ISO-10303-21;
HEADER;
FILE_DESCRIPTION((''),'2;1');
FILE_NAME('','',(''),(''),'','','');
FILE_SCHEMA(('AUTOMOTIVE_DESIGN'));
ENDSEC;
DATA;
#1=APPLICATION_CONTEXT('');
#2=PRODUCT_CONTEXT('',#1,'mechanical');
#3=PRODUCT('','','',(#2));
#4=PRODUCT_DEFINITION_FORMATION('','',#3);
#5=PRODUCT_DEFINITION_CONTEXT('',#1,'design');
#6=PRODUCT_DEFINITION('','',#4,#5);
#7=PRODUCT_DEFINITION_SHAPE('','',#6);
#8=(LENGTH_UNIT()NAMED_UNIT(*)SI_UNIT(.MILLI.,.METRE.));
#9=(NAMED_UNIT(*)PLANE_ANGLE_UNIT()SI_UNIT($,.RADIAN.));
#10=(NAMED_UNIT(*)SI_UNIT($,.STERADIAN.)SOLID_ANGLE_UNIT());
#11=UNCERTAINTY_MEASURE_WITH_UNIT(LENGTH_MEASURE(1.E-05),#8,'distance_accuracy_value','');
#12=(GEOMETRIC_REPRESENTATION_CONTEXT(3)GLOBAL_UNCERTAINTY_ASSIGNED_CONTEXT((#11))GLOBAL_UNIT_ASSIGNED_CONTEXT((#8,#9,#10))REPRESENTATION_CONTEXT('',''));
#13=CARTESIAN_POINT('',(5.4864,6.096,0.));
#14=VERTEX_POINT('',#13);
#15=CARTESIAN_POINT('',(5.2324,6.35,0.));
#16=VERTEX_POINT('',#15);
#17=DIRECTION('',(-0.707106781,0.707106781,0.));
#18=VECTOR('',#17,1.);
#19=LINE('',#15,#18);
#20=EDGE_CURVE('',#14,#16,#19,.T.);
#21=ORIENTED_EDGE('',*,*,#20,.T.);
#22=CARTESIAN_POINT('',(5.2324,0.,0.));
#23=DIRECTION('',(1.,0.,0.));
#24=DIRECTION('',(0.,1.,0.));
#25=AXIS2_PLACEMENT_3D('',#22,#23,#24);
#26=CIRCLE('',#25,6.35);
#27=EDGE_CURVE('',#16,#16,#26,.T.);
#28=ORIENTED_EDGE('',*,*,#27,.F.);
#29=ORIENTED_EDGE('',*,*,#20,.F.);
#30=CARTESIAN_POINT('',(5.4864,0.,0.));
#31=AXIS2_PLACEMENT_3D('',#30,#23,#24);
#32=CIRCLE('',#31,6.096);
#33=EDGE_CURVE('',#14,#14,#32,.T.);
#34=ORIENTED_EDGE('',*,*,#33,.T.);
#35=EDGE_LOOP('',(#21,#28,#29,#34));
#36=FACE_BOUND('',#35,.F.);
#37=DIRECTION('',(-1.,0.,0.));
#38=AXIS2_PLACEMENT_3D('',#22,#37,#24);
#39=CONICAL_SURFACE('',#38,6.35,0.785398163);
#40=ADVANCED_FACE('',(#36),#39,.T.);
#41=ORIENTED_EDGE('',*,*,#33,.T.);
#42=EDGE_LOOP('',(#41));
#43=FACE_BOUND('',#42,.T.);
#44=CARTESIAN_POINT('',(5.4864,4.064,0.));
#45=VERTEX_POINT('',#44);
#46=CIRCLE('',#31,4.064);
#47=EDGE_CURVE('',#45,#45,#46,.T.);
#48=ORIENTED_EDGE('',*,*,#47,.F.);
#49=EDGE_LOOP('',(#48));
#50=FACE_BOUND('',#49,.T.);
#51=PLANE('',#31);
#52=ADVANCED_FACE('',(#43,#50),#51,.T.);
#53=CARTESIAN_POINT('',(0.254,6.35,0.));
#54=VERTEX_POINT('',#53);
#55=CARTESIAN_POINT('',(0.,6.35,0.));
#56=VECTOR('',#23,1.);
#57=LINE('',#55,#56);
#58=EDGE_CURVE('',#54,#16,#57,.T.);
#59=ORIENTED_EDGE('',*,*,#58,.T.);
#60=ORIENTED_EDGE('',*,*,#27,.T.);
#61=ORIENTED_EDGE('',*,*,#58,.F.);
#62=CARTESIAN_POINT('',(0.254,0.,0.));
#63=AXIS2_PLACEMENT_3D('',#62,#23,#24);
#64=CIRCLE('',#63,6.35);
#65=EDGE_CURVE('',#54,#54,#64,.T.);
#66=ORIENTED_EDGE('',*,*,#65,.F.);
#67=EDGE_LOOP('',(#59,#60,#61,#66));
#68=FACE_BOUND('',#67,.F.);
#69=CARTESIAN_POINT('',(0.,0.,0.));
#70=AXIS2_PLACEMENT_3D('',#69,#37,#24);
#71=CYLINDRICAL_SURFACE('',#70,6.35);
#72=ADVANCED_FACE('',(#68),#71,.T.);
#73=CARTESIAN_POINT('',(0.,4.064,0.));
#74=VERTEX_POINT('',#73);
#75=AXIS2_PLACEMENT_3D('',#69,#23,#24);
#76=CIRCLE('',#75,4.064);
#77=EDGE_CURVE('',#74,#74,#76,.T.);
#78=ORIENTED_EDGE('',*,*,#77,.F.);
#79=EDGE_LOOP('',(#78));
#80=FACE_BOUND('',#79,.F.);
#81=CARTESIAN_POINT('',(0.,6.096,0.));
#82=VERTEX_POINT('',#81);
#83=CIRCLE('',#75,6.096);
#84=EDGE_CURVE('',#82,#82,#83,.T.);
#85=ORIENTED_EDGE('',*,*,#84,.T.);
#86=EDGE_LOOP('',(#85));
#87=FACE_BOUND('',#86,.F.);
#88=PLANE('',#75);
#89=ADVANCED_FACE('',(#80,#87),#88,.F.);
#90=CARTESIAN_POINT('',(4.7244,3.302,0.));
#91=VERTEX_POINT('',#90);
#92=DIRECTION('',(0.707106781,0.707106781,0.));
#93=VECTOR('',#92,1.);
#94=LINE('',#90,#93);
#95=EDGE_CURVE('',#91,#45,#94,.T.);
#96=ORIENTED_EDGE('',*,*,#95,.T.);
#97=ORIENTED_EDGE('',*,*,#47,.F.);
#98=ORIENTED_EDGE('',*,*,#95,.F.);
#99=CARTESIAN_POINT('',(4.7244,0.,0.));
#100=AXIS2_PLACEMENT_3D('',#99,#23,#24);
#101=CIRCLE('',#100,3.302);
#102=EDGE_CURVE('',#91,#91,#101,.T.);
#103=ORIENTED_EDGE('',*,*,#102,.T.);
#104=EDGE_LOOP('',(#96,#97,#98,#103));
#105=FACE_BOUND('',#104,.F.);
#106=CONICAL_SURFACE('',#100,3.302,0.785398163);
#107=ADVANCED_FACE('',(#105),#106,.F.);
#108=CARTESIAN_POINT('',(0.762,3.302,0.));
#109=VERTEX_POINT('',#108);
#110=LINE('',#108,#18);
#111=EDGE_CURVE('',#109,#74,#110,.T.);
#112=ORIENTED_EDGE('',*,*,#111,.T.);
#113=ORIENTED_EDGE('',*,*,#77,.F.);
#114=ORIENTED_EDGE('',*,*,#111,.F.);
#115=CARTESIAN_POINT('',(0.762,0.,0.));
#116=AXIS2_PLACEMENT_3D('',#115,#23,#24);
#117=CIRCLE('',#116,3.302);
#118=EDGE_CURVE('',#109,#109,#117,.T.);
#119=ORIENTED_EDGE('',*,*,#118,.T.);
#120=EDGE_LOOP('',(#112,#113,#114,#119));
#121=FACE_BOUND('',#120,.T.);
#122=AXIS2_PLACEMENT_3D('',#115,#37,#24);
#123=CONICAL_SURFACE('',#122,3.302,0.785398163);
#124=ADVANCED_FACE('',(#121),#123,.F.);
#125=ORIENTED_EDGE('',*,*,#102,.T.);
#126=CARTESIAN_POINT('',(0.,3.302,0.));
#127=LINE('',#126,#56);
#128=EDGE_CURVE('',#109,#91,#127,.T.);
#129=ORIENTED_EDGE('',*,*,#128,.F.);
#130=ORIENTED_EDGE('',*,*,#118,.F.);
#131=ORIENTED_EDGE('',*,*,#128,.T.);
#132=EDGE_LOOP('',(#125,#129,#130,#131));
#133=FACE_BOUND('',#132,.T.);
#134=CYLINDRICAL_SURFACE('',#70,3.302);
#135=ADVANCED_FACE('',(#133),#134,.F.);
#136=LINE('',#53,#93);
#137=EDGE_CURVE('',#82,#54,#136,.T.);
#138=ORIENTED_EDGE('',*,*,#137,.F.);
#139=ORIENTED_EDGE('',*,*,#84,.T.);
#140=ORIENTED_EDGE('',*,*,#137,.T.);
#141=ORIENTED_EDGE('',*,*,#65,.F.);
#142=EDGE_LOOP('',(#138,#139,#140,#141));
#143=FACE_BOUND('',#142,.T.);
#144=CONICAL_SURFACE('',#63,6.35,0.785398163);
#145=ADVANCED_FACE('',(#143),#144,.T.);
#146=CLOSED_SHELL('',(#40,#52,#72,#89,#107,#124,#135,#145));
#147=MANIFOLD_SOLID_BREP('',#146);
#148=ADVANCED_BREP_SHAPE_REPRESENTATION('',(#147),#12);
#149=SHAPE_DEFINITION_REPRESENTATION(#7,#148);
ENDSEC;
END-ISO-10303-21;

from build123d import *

# Parameters (mm, degrees)
F0_R     = 6.35
F0_R_2   = 3.302
F1_DEPTH = 5.4864
F2_SIZE  = 0.762
F3_SIZE  = 0.254


with BuildPart() as f1:
    # F0 (on Right) → F1 (new body)
    with BuildSketch(Plane.YZ):
        Circle(F0_R)
        Circle(F0_R_2, mode=Mode.SUBTRACT)
    extrude(amount=F1_DEPTH)

    # F2
    f2_edges = [f1.edges().sort_by_distance(p)[0] for p in [
        (5.4864, -3.302, 0),
        (0, -3.302, 0),
    ]]
    chamfer(f2_edges, length=F2_SIZE)

    # F3
    f3_edges = [f1.edges().sort_by_distance(p)[0] for p in [
        (0, -6.35, 0),
        (5.4864, -6.35, 0),
    ]]
    chamfer(f3_edges, length=F3_SIZE)


solid = f1.part
